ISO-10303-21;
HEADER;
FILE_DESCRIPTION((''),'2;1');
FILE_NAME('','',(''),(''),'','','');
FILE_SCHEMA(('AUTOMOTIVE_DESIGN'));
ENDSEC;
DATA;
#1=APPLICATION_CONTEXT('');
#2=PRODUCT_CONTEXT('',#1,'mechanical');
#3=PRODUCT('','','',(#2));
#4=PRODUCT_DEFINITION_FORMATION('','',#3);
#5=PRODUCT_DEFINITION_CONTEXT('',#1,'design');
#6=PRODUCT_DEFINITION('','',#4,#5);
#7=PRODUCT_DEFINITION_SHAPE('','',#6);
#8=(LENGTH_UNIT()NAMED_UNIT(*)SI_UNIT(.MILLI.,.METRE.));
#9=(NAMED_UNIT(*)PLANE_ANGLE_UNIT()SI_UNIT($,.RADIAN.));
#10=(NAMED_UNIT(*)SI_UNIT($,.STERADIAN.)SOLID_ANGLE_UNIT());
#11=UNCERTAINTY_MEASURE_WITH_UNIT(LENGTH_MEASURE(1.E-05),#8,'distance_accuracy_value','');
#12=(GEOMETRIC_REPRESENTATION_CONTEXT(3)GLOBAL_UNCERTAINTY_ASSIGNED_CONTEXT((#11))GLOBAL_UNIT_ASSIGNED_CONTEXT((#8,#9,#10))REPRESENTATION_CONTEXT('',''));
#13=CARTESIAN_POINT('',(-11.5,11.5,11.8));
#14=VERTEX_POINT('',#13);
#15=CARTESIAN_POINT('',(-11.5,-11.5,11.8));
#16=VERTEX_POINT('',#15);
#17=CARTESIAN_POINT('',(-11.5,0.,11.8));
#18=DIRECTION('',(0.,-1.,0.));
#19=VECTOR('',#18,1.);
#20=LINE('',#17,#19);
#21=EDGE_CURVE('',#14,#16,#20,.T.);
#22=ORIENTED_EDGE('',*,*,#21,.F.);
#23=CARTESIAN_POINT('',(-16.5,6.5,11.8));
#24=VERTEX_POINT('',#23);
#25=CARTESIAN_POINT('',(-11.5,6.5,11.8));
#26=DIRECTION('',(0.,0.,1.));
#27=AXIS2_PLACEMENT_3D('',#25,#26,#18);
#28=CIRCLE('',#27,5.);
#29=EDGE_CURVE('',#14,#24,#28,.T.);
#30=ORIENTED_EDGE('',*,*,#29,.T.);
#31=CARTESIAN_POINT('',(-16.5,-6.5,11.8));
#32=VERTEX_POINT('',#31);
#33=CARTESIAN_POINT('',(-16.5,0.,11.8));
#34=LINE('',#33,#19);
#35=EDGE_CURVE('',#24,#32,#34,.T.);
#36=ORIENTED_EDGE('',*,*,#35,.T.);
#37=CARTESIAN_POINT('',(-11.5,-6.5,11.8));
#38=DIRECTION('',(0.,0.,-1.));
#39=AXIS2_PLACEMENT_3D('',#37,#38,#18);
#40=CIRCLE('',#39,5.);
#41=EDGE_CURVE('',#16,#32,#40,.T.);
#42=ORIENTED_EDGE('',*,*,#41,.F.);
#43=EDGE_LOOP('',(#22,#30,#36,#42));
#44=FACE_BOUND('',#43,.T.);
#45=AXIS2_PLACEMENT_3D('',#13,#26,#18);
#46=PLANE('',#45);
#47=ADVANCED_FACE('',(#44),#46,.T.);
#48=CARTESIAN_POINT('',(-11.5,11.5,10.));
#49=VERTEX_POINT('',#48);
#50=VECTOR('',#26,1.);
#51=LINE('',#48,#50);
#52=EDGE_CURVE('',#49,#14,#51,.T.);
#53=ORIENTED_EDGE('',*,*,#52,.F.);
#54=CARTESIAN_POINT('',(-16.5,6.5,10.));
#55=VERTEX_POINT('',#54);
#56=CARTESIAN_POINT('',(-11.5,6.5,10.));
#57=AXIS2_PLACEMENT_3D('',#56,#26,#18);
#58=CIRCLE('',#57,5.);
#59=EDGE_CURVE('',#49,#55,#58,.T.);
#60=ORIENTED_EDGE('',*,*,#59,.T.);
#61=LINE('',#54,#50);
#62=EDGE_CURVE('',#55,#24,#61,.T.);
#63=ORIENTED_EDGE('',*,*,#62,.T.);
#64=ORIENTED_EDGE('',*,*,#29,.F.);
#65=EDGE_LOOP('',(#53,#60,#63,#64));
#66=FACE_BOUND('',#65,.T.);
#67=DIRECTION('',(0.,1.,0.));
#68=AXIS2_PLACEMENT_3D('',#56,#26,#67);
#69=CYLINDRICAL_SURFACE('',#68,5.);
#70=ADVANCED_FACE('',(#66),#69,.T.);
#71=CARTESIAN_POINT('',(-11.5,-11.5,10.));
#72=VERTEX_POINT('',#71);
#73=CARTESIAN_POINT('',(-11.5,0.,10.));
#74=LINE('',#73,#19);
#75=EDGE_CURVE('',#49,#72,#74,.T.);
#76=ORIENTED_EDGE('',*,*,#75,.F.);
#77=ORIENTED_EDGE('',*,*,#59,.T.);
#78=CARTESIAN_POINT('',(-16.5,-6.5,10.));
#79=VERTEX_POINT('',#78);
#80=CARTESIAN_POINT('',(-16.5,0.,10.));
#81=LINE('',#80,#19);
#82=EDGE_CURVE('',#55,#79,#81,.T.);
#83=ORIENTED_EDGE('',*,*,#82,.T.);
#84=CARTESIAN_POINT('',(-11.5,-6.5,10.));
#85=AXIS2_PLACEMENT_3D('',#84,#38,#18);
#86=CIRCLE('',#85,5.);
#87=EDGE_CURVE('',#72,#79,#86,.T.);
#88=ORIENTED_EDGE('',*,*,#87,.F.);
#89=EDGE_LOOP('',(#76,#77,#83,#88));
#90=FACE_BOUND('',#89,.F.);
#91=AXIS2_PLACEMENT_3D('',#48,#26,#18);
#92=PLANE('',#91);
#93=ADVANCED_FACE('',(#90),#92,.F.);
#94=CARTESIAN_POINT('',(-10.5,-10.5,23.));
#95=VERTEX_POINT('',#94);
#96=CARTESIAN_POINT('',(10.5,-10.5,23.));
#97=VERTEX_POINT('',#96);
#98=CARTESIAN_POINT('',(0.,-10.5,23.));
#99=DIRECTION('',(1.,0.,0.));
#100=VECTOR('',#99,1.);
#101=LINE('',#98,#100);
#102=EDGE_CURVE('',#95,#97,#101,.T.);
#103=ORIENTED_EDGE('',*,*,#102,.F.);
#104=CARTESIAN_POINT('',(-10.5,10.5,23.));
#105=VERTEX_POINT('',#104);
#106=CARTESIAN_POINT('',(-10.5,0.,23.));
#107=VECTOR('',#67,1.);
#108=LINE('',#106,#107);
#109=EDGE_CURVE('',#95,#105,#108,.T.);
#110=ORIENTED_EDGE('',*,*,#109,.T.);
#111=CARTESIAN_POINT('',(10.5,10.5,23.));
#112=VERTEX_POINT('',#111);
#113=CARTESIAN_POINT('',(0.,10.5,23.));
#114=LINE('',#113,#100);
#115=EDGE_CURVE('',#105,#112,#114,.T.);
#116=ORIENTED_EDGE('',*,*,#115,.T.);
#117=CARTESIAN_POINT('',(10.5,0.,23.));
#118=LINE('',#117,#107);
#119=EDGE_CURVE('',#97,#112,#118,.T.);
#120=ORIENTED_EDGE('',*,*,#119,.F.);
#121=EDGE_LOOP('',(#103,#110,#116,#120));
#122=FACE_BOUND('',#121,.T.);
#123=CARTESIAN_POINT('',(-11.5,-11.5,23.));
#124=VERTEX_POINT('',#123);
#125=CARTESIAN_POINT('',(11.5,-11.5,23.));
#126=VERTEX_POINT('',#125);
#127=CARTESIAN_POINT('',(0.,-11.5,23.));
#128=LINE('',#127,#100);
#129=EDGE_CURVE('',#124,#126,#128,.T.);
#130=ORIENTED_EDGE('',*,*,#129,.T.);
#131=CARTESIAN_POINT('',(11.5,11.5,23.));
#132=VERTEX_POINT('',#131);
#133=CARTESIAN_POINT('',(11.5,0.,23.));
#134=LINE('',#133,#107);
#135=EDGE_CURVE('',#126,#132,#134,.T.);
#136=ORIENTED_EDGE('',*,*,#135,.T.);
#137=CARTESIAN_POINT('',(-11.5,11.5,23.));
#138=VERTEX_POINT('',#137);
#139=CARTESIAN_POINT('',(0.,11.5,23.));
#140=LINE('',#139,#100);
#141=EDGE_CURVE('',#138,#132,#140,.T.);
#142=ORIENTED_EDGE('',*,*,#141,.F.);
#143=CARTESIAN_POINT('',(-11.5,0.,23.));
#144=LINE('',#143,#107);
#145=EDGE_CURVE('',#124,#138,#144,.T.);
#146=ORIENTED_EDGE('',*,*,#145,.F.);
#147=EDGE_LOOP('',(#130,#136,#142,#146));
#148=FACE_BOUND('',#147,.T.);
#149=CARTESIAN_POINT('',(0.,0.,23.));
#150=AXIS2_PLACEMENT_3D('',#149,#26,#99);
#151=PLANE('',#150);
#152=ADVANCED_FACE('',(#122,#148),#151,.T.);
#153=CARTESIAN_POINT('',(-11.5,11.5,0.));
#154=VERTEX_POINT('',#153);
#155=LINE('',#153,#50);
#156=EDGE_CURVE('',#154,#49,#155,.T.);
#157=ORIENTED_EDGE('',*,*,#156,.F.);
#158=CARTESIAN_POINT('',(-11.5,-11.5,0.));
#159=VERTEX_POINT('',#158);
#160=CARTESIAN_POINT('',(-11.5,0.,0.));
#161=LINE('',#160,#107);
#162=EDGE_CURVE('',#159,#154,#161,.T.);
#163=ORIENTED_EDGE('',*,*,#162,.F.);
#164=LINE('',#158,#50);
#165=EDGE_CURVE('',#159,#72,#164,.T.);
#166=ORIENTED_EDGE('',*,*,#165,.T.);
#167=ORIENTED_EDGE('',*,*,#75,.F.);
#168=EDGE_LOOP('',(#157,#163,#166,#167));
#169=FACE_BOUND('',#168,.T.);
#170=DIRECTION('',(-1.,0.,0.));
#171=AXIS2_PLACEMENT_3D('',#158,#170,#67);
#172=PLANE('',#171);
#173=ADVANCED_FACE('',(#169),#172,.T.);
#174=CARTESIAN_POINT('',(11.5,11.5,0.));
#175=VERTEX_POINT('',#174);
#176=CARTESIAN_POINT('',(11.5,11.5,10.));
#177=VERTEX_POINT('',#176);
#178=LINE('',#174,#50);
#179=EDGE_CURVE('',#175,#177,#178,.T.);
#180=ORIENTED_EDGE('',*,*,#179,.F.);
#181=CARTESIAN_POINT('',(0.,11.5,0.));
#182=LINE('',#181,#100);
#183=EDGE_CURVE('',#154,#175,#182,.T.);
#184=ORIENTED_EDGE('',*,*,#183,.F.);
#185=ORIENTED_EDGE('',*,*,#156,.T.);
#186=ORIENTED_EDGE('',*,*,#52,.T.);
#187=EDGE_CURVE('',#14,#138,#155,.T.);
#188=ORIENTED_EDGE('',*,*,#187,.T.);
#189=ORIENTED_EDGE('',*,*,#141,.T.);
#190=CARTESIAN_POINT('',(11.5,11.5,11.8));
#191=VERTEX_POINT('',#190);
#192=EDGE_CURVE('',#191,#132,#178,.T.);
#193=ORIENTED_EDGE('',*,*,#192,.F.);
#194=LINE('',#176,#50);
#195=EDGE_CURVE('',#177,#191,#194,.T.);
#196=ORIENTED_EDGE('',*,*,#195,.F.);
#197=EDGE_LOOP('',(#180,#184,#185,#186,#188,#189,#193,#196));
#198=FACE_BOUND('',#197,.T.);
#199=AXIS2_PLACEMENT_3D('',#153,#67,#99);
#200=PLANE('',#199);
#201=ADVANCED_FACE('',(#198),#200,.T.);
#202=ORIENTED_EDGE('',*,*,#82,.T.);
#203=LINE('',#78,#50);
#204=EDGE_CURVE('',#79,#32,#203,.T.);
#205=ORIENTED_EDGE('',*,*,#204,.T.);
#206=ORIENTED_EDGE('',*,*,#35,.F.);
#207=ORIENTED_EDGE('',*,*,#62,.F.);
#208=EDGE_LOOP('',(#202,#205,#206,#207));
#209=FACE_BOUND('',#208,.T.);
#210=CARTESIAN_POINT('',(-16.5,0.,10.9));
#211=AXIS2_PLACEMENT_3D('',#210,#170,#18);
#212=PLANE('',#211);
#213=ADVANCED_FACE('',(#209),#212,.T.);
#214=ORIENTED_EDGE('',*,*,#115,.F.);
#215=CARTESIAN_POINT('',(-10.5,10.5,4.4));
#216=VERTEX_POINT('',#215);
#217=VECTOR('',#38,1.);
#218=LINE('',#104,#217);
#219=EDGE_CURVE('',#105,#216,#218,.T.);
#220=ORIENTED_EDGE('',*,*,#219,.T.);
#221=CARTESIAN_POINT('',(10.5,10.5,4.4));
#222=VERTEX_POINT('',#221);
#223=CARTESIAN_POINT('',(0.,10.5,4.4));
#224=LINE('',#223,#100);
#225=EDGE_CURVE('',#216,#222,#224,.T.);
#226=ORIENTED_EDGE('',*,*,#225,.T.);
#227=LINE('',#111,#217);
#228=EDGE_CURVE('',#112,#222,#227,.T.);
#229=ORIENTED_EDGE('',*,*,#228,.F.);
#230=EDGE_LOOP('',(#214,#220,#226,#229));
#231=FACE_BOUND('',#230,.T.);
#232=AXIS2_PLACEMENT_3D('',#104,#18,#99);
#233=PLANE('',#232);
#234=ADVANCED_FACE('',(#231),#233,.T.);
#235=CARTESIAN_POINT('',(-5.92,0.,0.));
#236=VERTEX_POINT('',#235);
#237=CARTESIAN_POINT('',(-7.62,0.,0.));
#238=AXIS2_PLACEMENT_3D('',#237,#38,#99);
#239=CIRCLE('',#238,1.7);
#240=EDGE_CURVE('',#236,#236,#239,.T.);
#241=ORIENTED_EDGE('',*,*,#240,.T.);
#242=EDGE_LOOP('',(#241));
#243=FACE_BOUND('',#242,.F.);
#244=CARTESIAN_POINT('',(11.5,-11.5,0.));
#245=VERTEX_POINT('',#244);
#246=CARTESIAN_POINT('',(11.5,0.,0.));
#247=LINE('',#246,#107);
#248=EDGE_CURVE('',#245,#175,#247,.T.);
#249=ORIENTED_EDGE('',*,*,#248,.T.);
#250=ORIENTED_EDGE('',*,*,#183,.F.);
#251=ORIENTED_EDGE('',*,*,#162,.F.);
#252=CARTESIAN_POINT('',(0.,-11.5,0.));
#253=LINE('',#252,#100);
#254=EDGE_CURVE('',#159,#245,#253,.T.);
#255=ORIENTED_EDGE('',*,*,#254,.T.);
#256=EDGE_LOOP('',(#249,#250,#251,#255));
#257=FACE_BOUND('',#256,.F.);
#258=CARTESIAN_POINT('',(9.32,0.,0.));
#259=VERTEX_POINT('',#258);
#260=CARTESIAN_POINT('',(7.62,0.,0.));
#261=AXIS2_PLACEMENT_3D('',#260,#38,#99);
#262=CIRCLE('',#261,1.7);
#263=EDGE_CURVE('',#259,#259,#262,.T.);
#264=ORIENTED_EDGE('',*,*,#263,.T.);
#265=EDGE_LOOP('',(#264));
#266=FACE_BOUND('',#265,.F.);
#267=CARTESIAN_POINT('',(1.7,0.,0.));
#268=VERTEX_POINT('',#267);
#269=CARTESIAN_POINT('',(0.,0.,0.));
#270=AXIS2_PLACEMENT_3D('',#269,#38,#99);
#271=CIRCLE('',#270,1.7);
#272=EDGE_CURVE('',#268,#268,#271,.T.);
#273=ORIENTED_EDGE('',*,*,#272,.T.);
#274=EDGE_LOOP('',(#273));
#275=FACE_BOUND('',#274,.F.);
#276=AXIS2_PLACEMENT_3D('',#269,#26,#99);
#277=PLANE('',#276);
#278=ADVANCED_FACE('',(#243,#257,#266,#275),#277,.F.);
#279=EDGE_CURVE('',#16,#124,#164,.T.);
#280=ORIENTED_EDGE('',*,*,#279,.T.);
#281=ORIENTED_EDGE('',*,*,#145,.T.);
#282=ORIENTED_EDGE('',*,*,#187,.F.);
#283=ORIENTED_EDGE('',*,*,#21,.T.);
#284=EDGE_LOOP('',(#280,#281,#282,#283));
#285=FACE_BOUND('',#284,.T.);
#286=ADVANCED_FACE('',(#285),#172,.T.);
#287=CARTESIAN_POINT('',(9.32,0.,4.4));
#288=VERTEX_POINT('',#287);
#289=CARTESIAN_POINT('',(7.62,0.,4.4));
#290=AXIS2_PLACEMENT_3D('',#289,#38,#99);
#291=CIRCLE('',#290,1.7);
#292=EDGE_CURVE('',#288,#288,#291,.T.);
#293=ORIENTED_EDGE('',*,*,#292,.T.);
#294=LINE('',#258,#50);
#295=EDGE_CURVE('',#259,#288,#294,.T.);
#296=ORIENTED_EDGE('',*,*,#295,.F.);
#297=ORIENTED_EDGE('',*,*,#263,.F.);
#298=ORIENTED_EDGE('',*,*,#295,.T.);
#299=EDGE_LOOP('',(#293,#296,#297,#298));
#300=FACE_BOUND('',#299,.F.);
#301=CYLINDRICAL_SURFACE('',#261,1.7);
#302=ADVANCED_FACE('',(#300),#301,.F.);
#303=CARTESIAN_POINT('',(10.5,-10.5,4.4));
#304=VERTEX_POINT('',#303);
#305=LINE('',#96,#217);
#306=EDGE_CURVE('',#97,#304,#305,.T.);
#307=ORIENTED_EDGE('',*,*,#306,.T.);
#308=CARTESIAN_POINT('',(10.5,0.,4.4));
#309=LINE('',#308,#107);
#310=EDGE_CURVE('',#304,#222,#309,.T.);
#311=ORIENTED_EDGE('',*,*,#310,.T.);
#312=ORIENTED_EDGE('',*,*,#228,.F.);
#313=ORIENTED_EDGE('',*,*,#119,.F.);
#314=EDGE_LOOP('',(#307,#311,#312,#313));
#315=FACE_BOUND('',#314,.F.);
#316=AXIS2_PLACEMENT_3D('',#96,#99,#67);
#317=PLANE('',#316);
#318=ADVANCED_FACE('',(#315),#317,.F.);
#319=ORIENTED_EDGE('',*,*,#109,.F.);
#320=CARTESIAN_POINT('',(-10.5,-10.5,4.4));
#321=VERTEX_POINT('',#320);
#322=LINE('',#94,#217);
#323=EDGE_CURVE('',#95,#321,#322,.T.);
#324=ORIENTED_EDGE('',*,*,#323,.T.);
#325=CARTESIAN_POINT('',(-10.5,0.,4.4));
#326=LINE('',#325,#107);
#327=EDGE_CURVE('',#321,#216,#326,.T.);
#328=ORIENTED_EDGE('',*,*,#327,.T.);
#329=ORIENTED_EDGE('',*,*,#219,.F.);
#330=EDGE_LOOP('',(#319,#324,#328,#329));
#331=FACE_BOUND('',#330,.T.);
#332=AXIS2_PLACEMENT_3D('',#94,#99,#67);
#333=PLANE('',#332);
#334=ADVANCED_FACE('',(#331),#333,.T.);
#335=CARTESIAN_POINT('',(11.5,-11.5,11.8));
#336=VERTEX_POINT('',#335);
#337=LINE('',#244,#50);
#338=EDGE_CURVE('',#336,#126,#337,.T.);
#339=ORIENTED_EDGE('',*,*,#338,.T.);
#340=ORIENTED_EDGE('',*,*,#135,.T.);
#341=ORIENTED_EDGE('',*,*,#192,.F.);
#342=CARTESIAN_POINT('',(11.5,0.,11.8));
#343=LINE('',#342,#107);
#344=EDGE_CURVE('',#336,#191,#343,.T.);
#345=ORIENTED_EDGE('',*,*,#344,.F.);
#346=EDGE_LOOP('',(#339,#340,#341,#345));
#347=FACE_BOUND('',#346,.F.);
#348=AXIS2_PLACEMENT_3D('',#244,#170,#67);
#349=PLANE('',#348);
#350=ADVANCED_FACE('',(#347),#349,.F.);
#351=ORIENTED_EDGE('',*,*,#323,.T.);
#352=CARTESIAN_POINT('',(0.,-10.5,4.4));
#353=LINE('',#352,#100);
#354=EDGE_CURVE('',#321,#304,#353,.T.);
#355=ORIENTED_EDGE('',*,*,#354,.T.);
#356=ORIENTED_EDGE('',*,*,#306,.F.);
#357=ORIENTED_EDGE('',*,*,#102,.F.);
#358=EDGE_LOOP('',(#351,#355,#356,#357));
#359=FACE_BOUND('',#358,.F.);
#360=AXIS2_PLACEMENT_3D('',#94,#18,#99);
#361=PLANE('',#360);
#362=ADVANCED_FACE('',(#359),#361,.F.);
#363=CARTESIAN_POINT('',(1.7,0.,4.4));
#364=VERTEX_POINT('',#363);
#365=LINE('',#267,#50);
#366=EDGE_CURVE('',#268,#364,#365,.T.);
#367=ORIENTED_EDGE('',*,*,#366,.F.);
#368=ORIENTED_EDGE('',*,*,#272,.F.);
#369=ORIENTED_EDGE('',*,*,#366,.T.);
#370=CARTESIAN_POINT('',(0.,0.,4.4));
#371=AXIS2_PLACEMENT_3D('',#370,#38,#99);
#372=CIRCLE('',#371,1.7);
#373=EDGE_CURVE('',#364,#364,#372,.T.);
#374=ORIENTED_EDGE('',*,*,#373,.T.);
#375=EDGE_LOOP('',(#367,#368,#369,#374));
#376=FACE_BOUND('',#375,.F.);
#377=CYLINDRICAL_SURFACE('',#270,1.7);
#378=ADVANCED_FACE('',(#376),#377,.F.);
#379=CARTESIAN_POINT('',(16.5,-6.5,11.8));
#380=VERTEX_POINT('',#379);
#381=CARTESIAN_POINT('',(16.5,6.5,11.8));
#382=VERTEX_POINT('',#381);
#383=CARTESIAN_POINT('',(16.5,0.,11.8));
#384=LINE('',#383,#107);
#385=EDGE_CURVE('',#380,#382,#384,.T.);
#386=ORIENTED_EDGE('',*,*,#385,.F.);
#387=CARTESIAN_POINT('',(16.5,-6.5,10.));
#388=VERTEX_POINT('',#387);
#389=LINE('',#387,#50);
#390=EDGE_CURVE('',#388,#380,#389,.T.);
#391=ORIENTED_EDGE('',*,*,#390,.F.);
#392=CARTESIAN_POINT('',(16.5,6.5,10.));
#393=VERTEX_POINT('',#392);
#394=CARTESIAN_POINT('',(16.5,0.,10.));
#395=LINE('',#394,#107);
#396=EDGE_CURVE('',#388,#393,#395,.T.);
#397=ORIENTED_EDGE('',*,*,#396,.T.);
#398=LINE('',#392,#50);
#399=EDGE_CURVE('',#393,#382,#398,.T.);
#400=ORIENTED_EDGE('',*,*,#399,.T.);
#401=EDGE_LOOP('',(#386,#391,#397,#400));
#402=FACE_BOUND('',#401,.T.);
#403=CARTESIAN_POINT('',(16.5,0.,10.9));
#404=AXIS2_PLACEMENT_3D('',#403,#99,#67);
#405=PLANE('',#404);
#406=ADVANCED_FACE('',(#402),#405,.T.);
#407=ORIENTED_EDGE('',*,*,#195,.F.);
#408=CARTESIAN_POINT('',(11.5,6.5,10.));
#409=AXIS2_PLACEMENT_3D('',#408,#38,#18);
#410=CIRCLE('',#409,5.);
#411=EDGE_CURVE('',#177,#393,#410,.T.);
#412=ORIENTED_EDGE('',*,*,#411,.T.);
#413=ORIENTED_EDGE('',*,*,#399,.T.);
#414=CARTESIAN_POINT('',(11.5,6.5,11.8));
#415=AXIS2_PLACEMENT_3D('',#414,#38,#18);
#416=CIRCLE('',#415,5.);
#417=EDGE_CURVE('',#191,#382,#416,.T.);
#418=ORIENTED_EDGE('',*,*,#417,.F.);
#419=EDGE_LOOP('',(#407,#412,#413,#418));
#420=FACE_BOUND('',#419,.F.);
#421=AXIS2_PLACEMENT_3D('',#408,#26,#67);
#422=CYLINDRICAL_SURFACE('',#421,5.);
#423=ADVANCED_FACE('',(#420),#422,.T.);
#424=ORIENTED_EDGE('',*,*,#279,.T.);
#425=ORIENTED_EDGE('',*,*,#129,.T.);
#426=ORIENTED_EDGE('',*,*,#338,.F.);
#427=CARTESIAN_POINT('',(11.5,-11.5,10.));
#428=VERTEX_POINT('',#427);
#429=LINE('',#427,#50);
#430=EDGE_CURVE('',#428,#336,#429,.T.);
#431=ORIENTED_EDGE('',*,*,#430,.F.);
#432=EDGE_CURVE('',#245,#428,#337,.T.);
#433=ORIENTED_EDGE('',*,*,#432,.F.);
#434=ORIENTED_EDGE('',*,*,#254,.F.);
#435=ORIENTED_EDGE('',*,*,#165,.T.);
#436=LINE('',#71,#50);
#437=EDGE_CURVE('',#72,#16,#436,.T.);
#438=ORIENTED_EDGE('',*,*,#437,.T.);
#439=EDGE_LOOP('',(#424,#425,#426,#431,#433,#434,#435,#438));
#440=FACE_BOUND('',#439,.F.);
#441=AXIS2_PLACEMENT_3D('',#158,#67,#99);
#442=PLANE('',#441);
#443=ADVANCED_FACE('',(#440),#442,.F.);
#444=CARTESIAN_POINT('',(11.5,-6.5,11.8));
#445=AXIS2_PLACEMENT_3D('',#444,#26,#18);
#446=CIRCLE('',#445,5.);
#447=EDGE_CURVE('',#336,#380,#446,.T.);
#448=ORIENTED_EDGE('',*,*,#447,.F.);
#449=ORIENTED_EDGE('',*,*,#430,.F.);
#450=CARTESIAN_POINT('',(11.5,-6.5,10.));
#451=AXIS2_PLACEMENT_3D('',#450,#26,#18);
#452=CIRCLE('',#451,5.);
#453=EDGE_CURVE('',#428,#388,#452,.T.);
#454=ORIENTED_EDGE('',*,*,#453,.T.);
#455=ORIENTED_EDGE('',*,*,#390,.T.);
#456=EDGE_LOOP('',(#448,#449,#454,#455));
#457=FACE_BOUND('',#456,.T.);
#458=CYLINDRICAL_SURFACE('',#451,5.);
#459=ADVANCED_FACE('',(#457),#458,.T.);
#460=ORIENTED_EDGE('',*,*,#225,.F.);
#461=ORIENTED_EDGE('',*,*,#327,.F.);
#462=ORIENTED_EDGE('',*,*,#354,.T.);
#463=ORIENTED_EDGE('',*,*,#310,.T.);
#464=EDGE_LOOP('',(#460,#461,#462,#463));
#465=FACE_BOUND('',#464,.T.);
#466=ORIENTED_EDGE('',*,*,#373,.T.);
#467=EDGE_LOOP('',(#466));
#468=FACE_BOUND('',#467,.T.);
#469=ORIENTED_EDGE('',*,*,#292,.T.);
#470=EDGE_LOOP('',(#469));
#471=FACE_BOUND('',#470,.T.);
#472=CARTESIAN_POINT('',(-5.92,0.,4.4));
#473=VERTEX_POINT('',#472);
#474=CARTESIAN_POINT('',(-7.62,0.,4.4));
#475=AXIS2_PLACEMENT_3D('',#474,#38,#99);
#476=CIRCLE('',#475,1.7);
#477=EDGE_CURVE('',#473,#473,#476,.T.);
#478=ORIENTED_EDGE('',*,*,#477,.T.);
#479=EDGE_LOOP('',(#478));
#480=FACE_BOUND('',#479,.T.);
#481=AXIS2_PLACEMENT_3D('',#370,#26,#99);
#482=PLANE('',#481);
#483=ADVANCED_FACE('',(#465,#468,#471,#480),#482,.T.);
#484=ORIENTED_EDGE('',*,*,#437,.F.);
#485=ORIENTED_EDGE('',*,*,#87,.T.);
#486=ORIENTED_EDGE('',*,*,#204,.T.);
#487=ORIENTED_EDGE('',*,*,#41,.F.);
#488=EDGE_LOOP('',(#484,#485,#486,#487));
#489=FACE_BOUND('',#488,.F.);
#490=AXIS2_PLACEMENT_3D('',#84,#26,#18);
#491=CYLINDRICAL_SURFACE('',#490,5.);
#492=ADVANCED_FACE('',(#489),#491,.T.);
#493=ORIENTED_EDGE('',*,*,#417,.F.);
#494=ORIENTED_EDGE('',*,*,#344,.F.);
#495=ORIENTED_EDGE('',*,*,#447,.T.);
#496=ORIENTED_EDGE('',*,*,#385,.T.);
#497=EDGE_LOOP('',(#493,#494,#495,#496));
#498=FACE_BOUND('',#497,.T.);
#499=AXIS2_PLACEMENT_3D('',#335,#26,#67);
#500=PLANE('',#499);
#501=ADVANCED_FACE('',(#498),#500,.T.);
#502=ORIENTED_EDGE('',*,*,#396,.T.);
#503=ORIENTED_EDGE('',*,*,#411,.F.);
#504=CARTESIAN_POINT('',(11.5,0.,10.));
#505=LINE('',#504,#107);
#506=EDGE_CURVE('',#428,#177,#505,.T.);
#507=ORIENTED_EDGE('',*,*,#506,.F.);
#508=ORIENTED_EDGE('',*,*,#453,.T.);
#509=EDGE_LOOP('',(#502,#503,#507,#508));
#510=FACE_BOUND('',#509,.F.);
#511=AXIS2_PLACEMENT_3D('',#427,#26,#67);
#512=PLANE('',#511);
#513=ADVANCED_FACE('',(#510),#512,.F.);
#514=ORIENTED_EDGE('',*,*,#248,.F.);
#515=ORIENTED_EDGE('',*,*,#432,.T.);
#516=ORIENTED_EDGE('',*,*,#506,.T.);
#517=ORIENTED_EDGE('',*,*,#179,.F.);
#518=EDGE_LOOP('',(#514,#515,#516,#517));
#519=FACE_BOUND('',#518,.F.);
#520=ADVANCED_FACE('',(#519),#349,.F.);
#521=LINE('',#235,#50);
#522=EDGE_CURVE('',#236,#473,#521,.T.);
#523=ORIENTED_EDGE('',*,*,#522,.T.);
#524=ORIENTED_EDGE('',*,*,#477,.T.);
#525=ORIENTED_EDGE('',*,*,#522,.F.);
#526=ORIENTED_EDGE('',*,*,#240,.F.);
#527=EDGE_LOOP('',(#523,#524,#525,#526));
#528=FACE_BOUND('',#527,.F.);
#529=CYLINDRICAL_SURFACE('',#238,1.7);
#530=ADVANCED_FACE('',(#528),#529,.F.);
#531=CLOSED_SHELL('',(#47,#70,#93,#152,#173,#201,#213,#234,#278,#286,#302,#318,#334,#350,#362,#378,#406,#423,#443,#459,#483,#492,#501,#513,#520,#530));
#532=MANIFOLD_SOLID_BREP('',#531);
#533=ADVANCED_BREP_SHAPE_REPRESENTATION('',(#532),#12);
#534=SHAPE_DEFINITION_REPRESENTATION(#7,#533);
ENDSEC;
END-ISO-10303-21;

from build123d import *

# Parameters (mm, degrees)
SKETCH_W        = 23
SKETCH_H        = 23
PAD_DEPTH       = 23
SKETCH001_W     = 21
SKETCH001_H     = 21
POCKET_DEPTH    = 18.6
SKETCH002_R     = 1.7
POCKET001_DEPTH = 5
SKETCH003_W     = 23
SKETCH003_H     = 1.8
PAD001_DEPTH    = 5
SKETCH004_W     = 23
SKETCH004_H     = 1.8
PAD002_DEPTH    = 5
FILLET_R        = 5


with BuildPart() as part:
    # Sketch → Pad (new body)
    with BuildSketch(Plane.XY):
        Rectangle(SKETCH_W, SKETCH_H)
    extrude(amount=PAD_DEPTH)

    # Sketch001 (on Face6 of Pad) → Pocket (cut)
    with BuildSketch(Plane.XY.offset(23)):
        Rectangle(SKETCH001_W, SKETCH001_H)
    extrude(amount=-POCKET_DEPTH, mode=Mode.SUBTRACT)

    # Sketch002 (on Face4 of Pocket) → Pocket001 (cut)
    with BuildSketch(Plane(origin=(0, 0, 0), x_dir=(1, 0, 0), z_dir=(0, 0, -1))):
        Circle(SKETCH002_R)
        with Locations((7.62, 0)):
            Circle(SKETCH002_R)
        with Locations((-7.62, 0)):
            Circle(SKETCH002_R)
    extrude(amount=-POCKET001_DEPTH, mode=Mode.SUBTRACT)

    # Sketch003 (on Face1 of Pocket001) → Pad001 (join)
    with BuildSketch(Plane(origin=(-11.5, 0, 0), x_dir=(0, -1, 0), z_dir=(-1, 0, 0))):
        with Locations((0, 10.9)):
            Rectangle(SKETCH003_W, SKETCH003_H)
    extrude(amount=PAD001_DEPTH)

    # Sketch004 (on Face6 of Pad001) → Pad002 (join)
    with BuildSketch(Plane.YZ.offset(11.5)):
        with Locations((0, 10.9)):
            Rectangle(SKETCH004_W, SKETCH004_H)
    extrude(amount=PAD002_DEPTH)

    # Fillet
    fillet_edges = [part.edges().sort_by_distance(p)[0] for p in [
        (16.5, -11.5, 10.9),
        (16.5, 11.5, 10.9),
        (-16.5, -11.5, 10.9),
        (-16.5, 11.5, 10.9),
    ]]
    fillet(fillet_edges, radius=FILLET_R)


solid = part.part
